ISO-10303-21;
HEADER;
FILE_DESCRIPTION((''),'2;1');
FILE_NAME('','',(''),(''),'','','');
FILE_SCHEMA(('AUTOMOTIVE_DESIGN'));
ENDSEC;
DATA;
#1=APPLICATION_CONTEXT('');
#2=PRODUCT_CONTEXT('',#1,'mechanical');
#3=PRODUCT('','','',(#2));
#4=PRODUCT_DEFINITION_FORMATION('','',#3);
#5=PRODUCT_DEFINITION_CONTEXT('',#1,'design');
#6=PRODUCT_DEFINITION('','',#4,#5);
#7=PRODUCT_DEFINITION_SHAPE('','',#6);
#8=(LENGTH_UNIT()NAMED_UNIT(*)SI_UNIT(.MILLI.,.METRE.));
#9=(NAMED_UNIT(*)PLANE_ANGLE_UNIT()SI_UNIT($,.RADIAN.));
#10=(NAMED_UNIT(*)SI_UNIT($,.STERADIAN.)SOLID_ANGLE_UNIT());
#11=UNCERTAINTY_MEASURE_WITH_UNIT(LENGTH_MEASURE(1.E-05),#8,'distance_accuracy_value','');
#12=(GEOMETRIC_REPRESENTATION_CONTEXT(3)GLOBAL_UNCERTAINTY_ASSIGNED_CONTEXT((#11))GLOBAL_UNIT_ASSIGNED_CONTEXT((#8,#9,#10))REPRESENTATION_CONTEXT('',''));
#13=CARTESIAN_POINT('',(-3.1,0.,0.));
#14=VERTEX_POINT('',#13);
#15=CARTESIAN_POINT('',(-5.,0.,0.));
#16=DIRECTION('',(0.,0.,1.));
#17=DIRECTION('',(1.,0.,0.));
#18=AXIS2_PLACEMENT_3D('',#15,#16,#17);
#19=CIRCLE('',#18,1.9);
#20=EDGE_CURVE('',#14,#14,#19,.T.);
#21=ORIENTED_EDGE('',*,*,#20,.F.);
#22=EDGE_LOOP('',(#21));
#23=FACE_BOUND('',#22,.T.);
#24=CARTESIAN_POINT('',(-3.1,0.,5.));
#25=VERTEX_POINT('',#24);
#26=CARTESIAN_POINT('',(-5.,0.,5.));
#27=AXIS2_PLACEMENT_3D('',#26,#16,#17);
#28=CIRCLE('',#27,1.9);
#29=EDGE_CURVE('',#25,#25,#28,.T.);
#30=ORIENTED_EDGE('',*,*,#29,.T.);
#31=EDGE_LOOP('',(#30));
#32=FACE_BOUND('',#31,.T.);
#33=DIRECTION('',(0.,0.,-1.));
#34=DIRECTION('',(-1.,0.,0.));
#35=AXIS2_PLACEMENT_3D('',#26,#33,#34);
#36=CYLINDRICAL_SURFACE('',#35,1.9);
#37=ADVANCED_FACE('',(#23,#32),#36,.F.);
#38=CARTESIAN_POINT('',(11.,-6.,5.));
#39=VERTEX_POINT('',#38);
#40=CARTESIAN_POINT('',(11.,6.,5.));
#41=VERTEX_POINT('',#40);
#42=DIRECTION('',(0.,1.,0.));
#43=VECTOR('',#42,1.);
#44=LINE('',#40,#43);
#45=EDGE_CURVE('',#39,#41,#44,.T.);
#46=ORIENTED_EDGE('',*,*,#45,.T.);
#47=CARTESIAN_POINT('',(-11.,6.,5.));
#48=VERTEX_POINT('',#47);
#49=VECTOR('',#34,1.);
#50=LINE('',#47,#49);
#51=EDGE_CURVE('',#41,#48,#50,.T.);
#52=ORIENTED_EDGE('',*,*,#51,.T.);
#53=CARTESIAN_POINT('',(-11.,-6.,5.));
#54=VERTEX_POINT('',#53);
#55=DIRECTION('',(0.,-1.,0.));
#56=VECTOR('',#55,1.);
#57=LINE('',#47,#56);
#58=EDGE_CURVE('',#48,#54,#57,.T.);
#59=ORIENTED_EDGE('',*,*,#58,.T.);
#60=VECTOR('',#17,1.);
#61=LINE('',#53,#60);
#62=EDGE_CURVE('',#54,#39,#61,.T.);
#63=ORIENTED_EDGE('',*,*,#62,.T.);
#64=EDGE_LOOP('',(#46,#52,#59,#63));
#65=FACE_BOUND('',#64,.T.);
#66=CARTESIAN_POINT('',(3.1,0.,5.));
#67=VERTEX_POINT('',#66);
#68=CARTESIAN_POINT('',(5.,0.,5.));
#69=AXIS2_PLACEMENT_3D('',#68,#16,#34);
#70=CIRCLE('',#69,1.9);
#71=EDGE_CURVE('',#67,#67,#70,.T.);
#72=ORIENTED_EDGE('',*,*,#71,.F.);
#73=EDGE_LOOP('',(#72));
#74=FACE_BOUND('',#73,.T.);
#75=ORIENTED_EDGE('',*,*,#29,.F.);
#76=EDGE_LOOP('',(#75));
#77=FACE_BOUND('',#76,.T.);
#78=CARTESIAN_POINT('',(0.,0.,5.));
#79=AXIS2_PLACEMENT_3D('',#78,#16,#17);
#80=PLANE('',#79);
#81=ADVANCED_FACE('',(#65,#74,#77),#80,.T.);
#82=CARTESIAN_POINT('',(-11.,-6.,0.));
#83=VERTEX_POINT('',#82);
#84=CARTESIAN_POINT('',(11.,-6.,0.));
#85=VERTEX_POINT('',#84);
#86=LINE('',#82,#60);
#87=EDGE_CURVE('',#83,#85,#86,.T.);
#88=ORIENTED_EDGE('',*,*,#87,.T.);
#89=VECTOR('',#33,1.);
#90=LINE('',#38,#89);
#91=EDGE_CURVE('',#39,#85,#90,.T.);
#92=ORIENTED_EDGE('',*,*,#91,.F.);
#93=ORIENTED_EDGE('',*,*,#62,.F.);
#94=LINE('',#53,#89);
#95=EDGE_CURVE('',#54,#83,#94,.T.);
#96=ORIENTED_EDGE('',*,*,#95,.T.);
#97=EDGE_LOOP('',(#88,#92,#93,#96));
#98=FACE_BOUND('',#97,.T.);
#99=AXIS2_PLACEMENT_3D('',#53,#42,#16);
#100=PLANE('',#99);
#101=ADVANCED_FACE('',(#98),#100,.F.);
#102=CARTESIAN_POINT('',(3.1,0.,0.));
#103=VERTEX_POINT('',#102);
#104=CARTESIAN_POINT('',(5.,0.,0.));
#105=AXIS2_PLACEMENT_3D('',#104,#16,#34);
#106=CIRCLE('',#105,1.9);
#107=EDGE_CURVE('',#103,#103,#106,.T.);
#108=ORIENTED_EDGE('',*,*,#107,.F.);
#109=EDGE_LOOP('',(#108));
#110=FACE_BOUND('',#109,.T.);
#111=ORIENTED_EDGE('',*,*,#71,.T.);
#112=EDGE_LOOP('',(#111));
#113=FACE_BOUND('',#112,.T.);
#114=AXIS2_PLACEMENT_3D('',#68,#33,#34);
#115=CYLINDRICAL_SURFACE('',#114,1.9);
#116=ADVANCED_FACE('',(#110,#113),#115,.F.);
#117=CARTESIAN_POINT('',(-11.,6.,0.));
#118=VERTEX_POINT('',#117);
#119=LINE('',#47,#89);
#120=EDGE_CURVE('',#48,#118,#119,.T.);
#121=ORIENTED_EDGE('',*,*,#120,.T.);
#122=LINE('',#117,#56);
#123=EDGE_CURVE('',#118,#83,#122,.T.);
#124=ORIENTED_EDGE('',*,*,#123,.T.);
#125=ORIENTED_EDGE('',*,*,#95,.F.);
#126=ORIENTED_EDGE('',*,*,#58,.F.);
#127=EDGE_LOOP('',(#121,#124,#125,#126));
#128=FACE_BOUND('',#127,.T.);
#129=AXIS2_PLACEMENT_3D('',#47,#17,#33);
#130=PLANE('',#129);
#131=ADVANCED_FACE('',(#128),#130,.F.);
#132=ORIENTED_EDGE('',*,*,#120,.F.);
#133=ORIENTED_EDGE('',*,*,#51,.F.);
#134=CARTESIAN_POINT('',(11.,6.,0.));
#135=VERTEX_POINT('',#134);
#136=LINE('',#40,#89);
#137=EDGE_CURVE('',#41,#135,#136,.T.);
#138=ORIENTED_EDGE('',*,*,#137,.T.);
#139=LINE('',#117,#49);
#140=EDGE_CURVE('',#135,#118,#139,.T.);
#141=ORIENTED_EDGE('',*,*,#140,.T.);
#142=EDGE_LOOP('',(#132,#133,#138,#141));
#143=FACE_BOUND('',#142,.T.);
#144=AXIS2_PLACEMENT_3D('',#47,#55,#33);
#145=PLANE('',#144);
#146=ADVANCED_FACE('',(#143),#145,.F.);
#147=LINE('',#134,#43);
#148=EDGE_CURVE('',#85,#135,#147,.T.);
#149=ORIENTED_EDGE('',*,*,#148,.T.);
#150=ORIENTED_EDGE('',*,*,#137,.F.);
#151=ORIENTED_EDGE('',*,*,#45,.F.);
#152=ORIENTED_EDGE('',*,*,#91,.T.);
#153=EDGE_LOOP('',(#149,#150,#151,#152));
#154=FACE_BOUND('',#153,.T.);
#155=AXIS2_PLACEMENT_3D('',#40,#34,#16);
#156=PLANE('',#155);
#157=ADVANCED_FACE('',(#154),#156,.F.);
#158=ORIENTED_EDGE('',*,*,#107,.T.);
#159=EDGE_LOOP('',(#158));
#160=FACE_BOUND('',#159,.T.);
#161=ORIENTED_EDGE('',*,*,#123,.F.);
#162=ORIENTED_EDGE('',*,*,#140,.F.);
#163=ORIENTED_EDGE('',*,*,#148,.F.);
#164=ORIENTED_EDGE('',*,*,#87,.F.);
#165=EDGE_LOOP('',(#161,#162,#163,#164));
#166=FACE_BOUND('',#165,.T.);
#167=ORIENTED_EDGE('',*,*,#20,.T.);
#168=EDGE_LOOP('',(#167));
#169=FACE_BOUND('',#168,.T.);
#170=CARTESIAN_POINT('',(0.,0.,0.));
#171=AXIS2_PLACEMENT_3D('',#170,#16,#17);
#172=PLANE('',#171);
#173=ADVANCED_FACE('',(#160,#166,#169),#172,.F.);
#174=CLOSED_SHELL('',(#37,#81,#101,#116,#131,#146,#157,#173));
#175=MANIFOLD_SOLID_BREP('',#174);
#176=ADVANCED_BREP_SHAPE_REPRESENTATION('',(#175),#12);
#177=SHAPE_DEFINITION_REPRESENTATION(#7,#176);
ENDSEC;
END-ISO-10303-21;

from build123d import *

# Parameters (mm, degrees)
SKETCH_1_W      = 22
SKETCH_1_H      = 12
SKETCH_1_R      = 1.9
EXTRUDE_1_DEPTH = 5


with BuildPart() as part:
    # 스케치1 → 보스-돌출1 (new body)
    with BuildSketch(Plane.XY):
        Rectangle(SKETCH_1_W, SKETCH_1_H)
        with Locations((-5, 0)):
            Circle(SKETCH_1_R, mode=Mode.SUBTRACT)
        with Locations(Location((5, 0, 0), (0, 0, 180))):
            Circle(SKETCH_1_R, mode=Mode.SUBTRACT)
    extrude(amount=EXTRUDE_1_DEPTH)


solid = part.part
